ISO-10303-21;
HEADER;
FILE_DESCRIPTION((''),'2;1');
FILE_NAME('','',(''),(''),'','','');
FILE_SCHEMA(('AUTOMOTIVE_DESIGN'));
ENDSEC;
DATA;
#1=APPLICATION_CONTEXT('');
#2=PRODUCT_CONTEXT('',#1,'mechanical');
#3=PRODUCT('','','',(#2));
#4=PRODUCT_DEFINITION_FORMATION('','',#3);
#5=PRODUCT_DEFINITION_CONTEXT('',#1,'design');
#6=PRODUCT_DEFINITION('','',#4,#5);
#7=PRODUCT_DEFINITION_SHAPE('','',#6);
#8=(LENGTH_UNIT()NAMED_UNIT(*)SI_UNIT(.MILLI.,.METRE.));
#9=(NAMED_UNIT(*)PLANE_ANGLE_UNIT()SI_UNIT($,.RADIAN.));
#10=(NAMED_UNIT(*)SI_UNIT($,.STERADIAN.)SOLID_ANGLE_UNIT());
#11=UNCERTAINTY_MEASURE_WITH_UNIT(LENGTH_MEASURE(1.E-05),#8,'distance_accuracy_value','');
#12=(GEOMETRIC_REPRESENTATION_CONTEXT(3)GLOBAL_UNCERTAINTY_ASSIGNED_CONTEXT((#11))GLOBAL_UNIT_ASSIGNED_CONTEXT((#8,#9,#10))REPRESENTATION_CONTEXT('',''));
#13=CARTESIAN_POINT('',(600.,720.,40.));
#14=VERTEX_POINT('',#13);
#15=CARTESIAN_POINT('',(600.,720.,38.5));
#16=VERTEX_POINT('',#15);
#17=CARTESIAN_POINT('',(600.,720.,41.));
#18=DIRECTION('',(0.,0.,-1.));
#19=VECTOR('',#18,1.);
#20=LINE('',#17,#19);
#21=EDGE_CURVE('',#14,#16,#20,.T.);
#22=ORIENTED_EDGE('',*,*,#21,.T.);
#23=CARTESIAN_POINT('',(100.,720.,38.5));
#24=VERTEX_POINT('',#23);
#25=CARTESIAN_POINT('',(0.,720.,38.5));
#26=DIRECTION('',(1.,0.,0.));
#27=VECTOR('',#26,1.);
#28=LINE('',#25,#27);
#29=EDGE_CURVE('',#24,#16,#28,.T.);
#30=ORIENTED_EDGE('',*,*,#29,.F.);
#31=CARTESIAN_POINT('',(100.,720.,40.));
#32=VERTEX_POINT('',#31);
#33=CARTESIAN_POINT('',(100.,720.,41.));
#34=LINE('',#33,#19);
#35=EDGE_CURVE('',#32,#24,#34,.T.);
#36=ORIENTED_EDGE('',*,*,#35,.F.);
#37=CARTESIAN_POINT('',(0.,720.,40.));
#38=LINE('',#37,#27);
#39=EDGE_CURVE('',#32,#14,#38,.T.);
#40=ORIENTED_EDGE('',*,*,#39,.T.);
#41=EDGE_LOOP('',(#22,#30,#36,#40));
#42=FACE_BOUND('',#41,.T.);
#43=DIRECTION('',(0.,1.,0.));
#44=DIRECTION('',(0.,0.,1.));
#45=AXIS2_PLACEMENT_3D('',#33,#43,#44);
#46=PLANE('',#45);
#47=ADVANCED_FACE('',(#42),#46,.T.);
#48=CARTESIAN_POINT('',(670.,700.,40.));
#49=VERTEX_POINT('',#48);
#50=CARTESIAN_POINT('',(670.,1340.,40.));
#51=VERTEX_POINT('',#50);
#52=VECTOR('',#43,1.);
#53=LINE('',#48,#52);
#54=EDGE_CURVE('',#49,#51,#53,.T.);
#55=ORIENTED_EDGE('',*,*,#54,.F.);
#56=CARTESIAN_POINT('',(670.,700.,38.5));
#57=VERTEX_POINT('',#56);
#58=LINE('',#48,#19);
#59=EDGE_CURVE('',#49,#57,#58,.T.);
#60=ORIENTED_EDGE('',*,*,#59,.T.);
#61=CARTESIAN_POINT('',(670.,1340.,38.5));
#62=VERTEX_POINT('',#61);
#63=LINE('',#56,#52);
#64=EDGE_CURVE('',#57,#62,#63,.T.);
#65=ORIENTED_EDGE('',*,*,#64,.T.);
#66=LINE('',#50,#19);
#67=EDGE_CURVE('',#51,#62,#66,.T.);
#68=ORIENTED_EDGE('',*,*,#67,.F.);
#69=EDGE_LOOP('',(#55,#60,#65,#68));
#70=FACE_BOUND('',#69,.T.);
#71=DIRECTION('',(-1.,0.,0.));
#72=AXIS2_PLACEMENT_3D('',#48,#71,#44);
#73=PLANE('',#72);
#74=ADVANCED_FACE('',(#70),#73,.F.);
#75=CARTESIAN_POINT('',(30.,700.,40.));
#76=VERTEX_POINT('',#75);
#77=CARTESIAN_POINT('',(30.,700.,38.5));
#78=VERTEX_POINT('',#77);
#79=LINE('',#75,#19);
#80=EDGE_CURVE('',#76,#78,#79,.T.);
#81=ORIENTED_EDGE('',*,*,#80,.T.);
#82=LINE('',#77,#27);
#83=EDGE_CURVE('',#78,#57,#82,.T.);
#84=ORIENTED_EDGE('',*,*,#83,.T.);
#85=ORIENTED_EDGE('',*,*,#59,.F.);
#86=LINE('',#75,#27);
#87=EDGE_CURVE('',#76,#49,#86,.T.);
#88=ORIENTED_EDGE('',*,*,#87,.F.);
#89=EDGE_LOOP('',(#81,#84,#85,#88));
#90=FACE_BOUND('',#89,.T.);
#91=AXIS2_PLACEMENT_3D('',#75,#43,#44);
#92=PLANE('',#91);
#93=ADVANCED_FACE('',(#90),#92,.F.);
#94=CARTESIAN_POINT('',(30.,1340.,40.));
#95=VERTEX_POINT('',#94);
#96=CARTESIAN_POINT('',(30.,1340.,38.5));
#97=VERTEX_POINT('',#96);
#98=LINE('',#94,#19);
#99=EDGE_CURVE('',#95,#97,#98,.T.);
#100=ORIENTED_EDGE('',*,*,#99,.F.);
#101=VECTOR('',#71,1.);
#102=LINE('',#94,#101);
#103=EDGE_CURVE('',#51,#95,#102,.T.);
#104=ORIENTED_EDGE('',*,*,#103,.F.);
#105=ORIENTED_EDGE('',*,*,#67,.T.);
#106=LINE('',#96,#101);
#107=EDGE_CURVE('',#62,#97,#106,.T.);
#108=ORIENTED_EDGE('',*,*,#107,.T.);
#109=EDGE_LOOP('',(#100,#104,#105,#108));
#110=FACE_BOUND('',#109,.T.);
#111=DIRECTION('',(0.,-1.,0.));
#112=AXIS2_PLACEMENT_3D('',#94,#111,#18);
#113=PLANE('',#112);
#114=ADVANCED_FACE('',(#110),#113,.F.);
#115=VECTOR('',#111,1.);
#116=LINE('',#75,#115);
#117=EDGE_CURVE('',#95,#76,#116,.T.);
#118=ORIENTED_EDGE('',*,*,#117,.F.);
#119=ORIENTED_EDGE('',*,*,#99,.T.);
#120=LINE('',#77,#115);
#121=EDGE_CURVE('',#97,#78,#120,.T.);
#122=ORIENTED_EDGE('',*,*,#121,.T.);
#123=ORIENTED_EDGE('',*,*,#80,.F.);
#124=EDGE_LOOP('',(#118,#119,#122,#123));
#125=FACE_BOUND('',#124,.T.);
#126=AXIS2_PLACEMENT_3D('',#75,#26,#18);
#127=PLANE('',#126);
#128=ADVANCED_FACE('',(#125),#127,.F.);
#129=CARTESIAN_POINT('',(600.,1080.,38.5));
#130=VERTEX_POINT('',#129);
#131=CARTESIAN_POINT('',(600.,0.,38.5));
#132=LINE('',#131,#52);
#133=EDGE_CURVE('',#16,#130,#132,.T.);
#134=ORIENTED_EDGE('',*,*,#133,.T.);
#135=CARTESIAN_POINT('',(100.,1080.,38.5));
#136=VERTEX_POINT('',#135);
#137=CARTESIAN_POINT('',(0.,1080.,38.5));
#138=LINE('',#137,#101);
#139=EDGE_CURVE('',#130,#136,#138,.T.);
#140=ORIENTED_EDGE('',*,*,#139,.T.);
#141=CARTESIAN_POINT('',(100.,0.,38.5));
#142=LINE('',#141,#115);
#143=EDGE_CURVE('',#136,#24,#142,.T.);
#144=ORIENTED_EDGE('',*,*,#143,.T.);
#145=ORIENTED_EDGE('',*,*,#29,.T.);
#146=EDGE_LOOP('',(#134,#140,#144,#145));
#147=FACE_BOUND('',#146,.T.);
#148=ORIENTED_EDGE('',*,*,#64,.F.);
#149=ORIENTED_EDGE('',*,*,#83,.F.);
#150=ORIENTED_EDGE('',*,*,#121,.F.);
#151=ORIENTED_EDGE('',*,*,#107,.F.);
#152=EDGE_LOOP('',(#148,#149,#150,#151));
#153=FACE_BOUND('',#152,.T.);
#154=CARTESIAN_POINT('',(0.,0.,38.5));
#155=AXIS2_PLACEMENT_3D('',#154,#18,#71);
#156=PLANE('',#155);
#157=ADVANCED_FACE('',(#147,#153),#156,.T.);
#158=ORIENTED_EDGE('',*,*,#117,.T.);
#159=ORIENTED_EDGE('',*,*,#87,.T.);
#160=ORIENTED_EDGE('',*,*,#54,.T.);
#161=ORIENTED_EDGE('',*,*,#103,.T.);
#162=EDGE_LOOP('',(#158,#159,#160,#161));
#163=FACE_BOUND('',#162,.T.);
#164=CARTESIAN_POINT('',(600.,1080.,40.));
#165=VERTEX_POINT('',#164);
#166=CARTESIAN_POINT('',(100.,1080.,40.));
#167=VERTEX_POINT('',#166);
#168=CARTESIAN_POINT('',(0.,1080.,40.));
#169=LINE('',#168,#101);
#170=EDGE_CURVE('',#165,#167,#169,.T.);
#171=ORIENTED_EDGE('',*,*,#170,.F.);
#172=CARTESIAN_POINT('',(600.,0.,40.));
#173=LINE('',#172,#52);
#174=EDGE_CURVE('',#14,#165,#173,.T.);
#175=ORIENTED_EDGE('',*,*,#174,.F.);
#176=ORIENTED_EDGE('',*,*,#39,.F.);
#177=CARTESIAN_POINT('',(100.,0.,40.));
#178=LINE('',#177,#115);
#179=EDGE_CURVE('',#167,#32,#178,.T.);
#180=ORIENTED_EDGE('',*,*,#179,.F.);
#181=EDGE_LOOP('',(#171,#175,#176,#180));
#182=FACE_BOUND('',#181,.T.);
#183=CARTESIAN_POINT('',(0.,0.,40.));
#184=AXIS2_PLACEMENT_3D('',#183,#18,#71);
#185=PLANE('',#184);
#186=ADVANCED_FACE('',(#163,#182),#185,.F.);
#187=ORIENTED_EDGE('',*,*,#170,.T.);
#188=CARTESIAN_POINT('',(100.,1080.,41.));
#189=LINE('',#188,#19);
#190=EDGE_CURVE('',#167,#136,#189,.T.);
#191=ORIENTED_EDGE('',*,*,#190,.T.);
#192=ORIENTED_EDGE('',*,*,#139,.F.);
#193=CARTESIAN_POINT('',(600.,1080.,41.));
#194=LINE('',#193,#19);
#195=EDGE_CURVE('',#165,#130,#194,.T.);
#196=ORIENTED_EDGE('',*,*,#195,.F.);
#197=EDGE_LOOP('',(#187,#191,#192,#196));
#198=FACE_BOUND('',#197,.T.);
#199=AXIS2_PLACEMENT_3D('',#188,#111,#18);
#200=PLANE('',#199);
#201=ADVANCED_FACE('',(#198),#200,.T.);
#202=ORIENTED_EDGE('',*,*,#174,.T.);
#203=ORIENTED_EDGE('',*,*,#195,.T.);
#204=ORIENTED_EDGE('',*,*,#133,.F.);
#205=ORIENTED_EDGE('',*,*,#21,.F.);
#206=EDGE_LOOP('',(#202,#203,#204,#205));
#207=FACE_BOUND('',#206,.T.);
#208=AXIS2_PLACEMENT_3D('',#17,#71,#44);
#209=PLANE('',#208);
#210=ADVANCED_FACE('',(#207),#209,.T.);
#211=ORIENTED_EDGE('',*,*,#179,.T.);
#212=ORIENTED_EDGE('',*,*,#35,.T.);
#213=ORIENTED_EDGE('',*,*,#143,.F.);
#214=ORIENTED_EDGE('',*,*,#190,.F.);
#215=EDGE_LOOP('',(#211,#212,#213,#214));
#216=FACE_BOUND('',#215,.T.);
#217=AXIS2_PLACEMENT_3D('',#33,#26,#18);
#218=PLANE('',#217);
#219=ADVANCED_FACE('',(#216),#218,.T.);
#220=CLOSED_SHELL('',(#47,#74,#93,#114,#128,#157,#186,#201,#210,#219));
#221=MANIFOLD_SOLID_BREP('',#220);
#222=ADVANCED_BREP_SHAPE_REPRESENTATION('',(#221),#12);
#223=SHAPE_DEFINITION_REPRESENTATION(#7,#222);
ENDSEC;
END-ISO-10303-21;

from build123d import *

# Parameters (mm, degrees)
PRESS_PANEL_PRES_AGZI_1_START = 38.5
SKETCH1_W                     = 640
SKETCH1_H                     = 640
PRESS_PANEL_PRES_AGZI_1_DEPTH = 1.5
PRESS_PANEL_PRES_AGZI_2_START = 37.5
SKETCH2_W                     = 500
SKETCH2_H                     = 360
PRESS_PANEL_PRES_AGZI_2_DEPTH = 3.5


with BuildPart() as part:
    # Sketch1 → PRESS_panel_pres_agzi_1 (new body)
    with BuildSketch(Plane.XY.offset(PRESS_PANEL_PRES_AGZI_1_START)):
        with Locations((350, 1020)):
            Rectangle(SKETCH1_W, SKETCH1_H)
    extrude(amount=PRESS_PANEL_PRES_AGZI_1_DEPTH)

    # Sketch2 → PRESS_panel_pres_agzi_2 (cut)
    with BuildSketch(Plane.XY.offset(PRESS_PANEL_PRES_AGZI_2_START)):
        with Locations((350, 900)):
            Rectangle(SKETCH2_W, SKETCH2_H)
    extrude(amount=PRESS_PANEL_PRES_AGZI_2_DEPTH, mode=Mode.SUBTRACT)


solid = part.part
